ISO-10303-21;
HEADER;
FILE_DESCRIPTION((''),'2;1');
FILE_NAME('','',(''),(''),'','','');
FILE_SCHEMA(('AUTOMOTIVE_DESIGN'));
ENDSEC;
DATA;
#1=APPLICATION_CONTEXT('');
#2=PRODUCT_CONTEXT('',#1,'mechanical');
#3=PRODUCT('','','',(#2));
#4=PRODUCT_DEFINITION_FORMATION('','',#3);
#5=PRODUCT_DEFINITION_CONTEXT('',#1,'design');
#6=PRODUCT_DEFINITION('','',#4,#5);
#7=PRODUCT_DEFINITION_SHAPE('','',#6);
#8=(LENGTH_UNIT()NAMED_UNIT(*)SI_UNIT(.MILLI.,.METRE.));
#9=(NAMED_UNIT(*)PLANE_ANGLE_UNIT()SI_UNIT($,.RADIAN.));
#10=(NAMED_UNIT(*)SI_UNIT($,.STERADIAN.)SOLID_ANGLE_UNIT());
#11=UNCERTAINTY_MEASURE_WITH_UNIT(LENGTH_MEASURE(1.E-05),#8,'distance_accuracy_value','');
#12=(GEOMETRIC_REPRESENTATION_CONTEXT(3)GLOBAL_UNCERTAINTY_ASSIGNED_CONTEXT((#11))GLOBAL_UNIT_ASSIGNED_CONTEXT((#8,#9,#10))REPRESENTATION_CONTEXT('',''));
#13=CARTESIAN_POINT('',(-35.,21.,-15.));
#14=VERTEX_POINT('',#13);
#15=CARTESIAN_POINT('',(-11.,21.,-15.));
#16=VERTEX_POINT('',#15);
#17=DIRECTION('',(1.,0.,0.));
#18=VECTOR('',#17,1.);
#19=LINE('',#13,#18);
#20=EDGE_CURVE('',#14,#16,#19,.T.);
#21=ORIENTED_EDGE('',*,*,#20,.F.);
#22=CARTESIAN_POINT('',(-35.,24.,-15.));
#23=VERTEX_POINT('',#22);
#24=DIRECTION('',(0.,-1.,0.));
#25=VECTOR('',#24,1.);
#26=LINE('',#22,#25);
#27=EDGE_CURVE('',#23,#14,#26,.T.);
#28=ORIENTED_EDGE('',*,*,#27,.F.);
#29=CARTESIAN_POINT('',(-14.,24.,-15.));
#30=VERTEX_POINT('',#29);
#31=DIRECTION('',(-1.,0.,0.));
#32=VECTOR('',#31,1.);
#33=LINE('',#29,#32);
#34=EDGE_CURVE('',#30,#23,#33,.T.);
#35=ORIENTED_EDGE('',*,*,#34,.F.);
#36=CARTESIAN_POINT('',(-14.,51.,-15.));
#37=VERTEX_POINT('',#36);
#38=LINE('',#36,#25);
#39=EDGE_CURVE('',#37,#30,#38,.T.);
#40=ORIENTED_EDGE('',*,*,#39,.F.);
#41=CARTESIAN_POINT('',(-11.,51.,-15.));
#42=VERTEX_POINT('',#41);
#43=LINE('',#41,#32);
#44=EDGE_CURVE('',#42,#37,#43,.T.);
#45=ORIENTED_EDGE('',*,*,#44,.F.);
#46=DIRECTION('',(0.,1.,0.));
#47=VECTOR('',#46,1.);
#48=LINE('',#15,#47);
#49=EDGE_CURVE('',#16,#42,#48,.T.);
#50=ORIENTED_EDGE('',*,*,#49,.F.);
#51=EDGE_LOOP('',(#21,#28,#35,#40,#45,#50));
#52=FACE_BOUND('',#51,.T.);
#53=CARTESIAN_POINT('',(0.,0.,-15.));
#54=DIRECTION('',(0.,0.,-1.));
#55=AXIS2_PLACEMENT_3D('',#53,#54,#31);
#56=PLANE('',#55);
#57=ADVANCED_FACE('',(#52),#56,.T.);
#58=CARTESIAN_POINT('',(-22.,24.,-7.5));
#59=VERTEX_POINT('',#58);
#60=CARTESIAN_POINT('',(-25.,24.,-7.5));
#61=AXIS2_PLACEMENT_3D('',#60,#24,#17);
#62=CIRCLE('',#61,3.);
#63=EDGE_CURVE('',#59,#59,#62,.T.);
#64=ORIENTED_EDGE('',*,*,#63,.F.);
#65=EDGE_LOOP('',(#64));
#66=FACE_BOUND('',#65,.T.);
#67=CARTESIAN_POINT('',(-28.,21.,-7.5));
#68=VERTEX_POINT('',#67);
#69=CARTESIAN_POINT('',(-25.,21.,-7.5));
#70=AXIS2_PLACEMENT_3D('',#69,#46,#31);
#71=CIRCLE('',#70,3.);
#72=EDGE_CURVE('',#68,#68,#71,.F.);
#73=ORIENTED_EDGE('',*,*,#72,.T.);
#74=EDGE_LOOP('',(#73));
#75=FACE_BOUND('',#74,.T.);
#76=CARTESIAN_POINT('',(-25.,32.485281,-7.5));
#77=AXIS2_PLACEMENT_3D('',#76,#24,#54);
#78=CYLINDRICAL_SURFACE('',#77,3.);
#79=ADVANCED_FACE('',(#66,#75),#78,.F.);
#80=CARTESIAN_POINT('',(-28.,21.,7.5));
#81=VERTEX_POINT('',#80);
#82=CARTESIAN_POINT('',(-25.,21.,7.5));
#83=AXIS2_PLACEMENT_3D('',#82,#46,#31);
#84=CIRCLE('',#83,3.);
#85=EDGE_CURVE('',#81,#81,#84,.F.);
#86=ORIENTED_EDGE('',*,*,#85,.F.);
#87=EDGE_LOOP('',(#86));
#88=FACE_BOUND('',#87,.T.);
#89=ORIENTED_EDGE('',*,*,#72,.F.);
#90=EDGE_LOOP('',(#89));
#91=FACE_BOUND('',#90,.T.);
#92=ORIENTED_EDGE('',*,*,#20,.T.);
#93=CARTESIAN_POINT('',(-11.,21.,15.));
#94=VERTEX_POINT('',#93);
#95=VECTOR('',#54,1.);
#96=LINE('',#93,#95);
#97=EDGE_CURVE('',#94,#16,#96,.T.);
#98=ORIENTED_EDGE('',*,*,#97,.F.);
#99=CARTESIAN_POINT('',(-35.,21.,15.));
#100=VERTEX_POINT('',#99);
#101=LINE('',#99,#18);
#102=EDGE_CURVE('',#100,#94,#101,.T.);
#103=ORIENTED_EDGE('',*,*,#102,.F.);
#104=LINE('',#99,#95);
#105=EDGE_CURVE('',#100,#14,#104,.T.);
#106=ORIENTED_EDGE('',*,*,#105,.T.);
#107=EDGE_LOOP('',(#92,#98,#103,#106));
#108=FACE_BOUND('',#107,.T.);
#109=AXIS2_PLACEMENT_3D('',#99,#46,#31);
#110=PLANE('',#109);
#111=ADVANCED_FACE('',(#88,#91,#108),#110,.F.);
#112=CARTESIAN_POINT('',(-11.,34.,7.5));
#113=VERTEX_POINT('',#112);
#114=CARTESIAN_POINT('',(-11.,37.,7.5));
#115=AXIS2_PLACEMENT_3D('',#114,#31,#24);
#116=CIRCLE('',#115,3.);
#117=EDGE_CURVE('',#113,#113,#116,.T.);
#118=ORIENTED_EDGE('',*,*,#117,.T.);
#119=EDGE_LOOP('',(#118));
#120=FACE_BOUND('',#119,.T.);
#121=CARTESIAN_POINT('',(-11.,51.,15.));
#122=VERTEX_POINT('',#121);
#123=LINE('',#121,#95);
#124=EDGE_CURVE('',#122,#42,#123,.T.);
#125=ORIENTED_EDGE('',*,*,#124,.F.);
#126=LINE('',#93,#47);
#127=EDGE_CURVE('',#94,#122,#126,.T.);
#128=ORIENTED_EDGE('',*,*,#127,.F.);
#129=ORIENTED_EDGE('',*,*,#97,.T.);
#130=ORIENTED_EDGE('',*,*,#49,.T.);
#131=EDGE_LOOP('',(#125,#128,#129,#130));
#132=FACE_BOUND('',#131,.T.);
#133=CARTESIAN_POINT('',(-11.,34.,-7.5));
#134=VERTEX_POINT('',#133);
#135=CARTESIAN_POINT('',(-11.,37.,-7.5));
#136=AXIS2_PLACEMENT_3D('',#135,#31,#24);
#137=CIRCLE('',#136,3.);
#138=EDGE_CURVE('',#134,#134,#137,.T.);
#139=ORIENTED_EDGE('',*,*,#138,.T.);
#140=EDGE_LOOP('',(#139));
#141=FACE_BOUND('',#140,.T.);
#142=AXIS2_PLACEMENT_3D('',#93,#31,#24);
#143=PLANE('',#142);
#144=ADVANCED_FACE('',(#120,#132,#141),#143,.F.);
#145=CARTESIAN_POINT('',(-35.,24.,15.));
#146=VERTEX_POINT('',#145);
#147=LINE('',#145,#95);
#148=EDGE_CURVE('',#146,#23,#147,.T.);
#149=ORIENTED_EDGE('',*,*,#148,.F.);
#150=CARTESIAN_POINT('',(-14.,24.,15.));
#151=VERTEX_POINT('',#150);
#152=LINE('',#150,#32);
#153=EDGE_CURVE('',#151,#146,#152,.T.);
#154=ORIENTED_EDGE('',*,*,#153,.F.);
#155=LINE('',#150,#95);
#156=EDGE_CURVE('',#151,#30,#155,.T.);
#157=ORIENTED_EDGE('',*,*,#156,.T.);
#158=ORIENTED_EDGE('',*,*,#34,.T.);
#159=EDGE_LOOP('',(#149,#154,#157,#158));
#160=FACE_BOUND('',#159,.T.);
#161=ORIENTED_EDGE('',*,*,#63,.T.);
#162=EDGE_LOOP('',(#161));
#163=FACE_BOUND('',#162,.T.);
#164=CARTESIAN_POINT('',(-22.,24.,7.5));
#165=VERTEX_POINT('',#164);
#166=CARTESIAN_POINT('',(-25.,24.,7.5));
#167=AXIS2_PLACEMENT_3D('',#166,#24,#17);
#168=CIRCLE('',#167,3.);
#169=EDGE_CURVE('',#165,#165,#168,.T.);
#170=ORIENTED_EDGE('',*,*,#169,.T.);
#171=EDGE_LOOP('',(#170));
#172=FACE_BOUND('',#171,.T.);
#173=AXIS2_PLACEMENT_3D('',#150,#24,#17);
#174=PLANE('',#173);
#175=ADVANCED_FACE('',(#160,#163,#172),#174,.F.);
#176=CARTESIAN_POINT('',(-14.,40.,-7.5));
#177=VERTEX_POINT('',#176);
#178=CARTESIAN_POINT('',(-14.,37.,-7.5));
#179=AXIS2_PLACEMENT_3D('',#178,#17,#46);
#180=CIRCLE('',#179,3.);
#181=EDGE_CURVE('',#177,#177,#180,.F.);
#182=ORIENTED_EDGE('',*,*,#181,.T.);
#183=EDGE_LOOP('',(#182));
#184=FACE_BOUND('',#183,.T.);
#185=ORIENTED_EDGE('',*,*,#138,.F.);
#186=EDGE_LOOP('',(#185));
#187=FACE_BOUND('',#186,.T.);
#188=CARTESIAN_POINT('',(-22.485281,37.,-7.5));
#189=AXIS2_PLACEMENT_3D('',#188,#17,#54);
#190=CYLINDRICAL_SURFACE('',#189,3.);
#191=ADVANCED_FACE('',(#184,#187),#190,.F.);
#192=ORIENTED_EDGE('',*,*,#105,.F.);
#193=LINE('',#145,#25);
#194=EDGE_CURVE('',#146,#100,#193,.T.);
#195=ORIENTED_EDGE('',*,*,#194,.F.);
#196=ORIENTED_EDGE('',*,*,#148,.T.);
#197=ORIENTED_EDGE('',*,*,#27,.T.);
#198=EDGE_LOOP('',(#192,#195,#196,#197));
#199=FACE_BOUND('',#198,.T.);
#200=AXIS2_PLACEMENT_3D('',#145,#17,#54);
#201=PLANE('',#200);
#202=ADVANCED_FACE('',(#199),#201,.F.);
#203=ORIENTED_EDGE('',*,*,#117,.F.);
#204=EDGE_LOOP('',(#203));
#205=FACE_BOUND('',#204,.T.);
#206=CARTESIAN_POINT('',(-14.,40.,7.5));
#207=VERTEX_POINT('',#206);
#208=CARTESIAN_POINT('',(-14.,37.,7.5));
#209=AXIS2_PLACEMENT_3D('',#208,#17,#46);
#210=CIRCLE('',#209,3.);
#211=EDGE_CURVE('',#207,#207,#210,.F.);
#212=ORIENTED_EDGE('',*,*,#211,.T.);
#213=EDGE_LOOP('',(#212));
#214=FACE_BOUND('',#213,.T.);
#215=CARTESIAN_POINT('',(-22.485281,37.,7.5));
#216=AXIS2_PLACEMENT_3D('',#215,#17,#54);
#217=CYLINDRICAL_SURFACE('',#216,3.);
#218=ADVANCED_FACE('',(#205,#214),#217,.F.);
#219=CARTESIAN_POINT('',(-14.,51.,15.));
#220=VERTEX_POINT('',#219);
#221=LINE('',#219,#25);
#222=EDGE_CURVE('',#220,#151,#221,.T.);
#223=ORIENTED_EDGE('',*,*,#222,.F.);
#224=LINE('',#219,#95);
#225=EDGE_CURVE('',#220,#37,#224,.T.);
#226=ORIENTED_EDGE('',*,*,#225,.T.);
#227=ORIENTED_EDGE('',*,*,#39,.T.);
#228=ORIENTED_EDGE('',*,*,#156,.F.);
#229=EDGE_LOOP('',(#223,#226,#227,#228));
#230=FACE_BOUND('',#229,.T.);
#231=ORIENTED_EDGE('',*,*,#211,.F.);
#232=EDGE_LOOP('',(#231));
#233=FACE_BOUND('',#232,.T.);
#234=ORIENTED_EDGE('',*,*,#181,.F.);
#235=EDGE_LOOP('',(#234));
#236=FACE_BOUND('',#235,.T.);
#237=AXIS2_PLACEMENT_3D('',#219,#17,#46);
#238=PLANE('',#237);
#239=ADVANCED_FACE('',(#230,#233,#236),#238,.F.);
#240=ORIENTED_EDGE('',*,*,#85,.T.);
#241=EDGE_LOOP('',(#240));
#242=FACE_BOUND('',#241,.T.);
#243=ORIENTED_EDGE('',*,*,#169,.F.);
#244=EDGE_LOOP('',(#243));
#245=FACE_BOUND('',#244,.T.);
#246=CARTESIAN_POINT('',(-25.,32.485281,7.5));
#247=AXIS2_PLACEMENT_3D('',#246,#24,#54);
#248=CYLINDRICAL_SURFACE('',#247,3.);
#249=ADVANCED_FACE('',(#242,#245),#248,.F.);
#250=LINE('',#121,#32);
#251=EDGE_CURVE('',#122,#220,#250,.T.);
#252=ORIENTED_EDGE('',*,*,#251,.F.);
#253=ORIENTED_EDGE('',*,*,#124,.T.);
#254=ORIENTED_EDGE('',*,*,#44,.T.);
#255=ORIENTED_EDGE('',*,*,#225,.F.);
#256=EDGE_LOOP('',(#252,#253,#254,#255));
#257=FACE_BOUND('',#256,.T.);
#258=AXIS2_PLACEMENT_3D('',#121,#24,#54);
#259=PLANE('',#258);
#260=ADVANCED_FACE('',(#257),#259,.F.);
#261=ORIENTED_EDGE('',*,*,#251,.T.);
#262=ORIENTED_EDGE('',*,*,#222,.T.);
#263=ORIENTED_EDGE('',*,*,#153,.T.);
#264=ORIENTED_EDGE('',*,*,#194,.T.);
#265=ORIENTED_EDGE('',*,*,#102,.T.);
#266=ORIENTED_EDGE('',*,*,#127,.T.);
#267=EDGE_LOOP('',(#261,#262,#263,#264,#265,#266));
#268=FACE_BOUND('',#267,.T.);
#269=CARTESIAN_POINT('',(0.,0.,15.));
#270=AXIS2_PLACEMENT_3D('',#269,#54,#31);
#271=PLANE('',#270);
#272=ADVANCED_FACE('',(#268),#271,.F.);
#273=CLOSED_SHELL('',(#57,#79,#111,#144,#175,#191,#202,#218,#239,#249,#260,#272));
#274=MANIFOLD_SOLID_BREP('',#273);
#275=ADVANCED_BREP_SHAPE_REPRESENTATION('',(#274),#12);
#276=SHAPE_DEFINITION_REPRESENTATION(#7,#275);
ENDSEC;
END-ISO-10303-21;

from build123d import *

# Parameters (mm, degrees)
AUFSATZ_LINEAR_AUSTRAGEN1_DEPTH      = 15
AUFSATZ_LINEAR_AUSTRAGEN1_DEPTH_BACK = 15
SKIZZE6_R                            = 3
SCHNITT_LINEAR_AUSTRAGEN1_DEPTH      = 14
SKIZZE8_R                            = 3
SCHNITT_LINEAR_AUSTRAGEN2_DEPTH      = 24


with BuildPart() as part:
    # Skizze3 → Aufsatz-Linear austragen1 (new body, two sides)
    with BuildSketch(Plane.XY) as aufsatz_linear_austragen1_sk:
        Polygon((-14, 24), (-35, 24), (-35, 21), (-11, 21), (-11, 51), (-14, 51), align=None)
    extrude(amount=AUFSATZ_LINEAR_AUSTRAGEN1_DEPTH)
    extrude(aufsatz_linear_austragen1_sk.sketch, amount=-AUFSATZ_LINEAR_AUSTRAGEN1_DEPTH_BACK)

    # Skizze6 → Schnitt-Linear austragen1 (cut)
    with BuildSketch(Plane(origin=(0, 0, 0), x_dir=(0, 0, -1), z_dir=(1, 0, 0))):
        with Locations((7.5, 37)):
            Circle(SKIZZE6_R)
        with Locations((-7.5, 37)):
            Circle(SKIZZE6_R)
    extrude(amount=-SCHNITT_LINEAR_AUSTRAGEN1_DEPTH, mode=Mode.SUBTRACT)

    # Skizze8 → Schnitt-Linear austragen2 (cut)
    with BuildSketch(Plane(origin=(0, 0, 0), x_dir=(1, 0, 0), z_dir=(0, 1, 0))):
        with Locations((-25, 7.5)):
            Circle(SKIZZE8_R)
        with Locations((-25, -7.5)):
            Circle(SKIZZE8_R)
    extrude(amount=SCHNITT_LINEAR_AUSTRAGEN2_DEPTH, mode=Mode.SUBTRACT)


solid = part.part
